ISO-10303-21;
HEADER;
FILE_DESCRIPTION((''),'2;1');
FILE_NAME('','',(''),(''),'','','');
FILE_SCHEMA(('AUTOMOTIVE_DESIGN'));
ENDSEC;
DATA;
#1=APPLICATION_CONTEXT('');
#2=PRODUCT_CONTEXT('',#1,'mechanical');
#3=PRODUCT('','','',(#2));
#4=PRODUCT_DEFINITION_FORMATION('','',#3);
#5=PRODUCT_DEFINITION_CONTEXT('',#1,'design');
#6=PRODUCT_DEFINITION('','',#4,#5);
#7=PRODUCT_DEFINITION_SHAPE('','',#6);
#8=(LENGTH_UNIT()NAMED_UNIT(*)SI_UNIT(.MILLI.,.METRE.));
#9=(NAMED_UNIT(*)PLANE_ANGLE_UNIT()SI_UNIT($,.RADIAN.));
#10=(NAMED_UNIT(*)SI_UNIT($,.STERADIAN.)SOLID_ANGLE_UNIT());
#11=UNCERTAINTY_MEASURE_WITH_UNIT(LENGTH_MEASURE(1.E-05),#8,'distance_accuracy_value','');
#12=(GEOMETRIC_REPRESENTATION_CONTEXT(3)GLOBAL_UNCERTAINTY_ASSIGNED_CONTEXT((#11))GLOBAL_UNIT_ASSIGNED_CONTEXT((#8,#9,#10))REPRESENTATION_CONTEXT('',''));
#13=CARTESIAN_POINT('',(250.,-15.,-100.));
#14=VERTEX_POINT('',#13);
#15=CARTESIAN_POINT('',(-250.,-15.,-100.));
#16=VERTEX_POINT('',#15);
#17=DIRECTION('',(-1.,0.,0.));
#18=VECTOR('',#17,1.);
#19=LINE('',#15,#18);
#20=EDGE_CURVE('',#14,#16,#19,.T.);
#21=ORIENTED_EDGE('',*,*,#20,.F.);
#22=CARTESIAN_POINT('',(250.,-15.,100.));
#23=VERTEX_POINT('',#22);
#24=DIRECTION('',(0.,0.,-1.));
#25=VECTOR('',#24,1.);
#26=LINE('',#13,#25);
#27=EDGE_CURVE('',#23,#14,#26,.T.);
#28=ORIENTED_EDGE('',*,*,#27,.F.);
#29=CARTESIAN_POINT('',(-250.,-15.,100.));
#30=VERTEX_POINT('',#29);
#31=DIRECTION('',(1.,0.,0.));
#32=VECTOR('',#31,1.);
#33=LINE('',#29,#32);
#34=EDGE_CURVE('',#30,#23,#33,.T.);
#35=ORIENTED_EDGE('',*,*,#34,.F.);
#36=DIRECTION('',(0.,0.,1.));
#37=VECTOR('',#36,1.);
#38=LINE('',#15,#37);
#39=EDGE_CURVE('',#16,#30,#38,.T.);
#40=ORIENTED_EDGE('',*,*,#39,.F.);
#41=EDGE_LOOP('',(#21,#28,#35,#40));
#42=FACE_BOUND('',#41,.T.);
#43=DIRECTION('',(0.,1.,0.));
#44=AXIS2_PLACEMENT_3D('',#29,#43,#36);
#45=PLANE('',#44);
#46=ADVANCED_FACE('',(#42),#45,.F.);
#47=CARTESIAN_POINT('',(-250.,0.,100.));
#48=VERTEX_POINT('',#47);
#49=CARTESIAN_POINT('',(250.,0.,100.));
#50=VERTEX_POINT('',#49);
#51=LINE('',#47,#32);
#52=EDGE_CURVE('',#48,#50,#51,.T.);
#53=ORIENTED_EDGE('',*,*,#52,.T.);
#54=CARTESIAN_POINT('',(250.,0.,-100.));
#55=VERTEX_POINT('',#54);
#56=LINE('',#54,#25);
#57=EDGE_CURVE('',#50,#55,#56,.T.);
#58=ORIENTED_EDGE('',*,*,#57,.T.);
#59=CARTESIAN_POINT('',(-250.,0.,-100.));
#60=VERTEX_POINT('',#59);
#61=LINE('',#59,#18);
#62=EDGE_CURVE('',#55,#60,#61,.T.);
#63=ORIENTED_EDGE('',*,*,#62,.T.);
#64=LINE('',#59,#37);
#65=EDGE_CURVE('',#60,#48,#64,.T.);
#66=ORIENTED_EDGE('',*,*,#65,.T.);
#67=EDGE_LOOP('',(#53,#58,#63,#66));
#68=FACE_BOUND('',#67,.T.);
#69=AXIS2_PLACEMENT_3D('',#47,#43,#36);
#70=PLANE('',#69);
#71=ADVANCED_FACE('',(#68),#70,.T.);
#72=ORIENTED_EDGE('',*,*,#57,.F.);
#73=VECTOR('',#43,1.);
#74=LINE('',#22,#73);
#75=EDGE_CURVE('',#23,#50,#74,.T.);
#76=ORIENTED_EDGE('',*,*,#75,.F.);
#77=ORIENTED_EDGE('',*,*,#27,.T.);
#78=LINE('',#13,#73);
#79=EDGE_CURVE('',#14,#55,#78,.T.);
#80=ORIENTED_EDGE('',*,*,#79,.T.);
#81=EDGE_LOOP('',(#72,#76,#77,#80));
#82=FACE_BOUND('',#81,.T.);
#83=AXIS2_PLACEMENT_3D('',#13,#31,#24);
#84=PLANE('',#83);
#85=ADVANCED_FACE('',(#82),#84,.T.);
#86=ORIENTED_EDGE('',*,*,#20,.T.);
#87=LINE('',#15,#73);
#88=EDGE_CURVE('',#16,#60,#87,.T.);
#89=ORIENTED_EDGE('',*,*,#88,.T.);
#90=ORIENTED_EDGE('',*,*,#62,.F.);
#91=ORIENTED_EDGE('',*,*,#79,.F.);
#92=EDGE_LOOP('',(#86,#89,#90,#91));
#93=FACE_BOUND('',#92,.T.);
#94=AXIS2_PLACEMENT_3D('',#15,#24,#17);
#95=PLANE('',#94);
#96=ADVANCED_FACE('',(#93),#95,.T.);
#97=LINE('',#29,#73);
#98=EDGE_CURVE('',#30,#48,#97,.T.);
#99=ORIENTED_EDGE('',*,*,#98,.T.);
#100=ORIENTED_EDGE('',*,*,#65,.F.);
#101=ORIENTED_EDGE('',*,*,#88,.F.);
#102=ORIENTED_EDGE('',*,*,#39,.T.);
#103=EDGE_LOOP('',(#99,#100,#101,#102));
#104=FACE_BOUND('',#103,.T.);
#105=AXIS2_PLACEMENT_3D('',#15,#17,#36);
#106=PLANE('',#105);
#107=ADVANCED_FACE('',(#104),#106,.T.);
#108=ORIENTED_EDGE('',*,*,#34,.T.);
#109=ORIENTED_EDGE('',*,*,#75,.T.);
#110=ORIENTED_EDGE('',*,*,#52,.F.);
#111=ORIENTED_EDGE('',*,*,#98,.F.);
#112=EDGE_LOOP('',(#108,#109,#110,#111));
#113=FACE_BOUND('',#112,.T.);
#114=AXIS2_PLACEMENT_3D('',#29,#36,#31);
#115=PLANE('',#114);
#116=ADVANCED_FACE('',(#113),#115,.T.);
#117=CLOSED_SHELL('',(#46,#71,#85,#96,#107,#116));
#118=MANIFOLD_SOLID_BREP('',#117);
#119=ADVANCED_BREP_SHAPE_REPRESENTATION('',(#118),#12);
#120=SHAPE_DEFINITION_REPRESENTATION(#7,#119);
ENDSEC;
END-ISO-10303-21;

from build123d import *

# Parameters (mm, degrees)
SKETCH_1_W      = 500
SKETCH_1_H      = 200
EXTRUDE_1_DEPTH = 15


with BuildPart() as part:
    # Эскиз1 → Бобышка-Вытянуть1 (new body)
    with BuildSketch(Plane(origin=(0, 0, 0), x_dir=(1, 0, 0), z_dir=(0, 1, 0))):
        Rectangle(SKETCH_1_W, SKETCH_1_H)
    extrude(amount=-EXTRUDE_1_DEPTH)


solid = part.part
